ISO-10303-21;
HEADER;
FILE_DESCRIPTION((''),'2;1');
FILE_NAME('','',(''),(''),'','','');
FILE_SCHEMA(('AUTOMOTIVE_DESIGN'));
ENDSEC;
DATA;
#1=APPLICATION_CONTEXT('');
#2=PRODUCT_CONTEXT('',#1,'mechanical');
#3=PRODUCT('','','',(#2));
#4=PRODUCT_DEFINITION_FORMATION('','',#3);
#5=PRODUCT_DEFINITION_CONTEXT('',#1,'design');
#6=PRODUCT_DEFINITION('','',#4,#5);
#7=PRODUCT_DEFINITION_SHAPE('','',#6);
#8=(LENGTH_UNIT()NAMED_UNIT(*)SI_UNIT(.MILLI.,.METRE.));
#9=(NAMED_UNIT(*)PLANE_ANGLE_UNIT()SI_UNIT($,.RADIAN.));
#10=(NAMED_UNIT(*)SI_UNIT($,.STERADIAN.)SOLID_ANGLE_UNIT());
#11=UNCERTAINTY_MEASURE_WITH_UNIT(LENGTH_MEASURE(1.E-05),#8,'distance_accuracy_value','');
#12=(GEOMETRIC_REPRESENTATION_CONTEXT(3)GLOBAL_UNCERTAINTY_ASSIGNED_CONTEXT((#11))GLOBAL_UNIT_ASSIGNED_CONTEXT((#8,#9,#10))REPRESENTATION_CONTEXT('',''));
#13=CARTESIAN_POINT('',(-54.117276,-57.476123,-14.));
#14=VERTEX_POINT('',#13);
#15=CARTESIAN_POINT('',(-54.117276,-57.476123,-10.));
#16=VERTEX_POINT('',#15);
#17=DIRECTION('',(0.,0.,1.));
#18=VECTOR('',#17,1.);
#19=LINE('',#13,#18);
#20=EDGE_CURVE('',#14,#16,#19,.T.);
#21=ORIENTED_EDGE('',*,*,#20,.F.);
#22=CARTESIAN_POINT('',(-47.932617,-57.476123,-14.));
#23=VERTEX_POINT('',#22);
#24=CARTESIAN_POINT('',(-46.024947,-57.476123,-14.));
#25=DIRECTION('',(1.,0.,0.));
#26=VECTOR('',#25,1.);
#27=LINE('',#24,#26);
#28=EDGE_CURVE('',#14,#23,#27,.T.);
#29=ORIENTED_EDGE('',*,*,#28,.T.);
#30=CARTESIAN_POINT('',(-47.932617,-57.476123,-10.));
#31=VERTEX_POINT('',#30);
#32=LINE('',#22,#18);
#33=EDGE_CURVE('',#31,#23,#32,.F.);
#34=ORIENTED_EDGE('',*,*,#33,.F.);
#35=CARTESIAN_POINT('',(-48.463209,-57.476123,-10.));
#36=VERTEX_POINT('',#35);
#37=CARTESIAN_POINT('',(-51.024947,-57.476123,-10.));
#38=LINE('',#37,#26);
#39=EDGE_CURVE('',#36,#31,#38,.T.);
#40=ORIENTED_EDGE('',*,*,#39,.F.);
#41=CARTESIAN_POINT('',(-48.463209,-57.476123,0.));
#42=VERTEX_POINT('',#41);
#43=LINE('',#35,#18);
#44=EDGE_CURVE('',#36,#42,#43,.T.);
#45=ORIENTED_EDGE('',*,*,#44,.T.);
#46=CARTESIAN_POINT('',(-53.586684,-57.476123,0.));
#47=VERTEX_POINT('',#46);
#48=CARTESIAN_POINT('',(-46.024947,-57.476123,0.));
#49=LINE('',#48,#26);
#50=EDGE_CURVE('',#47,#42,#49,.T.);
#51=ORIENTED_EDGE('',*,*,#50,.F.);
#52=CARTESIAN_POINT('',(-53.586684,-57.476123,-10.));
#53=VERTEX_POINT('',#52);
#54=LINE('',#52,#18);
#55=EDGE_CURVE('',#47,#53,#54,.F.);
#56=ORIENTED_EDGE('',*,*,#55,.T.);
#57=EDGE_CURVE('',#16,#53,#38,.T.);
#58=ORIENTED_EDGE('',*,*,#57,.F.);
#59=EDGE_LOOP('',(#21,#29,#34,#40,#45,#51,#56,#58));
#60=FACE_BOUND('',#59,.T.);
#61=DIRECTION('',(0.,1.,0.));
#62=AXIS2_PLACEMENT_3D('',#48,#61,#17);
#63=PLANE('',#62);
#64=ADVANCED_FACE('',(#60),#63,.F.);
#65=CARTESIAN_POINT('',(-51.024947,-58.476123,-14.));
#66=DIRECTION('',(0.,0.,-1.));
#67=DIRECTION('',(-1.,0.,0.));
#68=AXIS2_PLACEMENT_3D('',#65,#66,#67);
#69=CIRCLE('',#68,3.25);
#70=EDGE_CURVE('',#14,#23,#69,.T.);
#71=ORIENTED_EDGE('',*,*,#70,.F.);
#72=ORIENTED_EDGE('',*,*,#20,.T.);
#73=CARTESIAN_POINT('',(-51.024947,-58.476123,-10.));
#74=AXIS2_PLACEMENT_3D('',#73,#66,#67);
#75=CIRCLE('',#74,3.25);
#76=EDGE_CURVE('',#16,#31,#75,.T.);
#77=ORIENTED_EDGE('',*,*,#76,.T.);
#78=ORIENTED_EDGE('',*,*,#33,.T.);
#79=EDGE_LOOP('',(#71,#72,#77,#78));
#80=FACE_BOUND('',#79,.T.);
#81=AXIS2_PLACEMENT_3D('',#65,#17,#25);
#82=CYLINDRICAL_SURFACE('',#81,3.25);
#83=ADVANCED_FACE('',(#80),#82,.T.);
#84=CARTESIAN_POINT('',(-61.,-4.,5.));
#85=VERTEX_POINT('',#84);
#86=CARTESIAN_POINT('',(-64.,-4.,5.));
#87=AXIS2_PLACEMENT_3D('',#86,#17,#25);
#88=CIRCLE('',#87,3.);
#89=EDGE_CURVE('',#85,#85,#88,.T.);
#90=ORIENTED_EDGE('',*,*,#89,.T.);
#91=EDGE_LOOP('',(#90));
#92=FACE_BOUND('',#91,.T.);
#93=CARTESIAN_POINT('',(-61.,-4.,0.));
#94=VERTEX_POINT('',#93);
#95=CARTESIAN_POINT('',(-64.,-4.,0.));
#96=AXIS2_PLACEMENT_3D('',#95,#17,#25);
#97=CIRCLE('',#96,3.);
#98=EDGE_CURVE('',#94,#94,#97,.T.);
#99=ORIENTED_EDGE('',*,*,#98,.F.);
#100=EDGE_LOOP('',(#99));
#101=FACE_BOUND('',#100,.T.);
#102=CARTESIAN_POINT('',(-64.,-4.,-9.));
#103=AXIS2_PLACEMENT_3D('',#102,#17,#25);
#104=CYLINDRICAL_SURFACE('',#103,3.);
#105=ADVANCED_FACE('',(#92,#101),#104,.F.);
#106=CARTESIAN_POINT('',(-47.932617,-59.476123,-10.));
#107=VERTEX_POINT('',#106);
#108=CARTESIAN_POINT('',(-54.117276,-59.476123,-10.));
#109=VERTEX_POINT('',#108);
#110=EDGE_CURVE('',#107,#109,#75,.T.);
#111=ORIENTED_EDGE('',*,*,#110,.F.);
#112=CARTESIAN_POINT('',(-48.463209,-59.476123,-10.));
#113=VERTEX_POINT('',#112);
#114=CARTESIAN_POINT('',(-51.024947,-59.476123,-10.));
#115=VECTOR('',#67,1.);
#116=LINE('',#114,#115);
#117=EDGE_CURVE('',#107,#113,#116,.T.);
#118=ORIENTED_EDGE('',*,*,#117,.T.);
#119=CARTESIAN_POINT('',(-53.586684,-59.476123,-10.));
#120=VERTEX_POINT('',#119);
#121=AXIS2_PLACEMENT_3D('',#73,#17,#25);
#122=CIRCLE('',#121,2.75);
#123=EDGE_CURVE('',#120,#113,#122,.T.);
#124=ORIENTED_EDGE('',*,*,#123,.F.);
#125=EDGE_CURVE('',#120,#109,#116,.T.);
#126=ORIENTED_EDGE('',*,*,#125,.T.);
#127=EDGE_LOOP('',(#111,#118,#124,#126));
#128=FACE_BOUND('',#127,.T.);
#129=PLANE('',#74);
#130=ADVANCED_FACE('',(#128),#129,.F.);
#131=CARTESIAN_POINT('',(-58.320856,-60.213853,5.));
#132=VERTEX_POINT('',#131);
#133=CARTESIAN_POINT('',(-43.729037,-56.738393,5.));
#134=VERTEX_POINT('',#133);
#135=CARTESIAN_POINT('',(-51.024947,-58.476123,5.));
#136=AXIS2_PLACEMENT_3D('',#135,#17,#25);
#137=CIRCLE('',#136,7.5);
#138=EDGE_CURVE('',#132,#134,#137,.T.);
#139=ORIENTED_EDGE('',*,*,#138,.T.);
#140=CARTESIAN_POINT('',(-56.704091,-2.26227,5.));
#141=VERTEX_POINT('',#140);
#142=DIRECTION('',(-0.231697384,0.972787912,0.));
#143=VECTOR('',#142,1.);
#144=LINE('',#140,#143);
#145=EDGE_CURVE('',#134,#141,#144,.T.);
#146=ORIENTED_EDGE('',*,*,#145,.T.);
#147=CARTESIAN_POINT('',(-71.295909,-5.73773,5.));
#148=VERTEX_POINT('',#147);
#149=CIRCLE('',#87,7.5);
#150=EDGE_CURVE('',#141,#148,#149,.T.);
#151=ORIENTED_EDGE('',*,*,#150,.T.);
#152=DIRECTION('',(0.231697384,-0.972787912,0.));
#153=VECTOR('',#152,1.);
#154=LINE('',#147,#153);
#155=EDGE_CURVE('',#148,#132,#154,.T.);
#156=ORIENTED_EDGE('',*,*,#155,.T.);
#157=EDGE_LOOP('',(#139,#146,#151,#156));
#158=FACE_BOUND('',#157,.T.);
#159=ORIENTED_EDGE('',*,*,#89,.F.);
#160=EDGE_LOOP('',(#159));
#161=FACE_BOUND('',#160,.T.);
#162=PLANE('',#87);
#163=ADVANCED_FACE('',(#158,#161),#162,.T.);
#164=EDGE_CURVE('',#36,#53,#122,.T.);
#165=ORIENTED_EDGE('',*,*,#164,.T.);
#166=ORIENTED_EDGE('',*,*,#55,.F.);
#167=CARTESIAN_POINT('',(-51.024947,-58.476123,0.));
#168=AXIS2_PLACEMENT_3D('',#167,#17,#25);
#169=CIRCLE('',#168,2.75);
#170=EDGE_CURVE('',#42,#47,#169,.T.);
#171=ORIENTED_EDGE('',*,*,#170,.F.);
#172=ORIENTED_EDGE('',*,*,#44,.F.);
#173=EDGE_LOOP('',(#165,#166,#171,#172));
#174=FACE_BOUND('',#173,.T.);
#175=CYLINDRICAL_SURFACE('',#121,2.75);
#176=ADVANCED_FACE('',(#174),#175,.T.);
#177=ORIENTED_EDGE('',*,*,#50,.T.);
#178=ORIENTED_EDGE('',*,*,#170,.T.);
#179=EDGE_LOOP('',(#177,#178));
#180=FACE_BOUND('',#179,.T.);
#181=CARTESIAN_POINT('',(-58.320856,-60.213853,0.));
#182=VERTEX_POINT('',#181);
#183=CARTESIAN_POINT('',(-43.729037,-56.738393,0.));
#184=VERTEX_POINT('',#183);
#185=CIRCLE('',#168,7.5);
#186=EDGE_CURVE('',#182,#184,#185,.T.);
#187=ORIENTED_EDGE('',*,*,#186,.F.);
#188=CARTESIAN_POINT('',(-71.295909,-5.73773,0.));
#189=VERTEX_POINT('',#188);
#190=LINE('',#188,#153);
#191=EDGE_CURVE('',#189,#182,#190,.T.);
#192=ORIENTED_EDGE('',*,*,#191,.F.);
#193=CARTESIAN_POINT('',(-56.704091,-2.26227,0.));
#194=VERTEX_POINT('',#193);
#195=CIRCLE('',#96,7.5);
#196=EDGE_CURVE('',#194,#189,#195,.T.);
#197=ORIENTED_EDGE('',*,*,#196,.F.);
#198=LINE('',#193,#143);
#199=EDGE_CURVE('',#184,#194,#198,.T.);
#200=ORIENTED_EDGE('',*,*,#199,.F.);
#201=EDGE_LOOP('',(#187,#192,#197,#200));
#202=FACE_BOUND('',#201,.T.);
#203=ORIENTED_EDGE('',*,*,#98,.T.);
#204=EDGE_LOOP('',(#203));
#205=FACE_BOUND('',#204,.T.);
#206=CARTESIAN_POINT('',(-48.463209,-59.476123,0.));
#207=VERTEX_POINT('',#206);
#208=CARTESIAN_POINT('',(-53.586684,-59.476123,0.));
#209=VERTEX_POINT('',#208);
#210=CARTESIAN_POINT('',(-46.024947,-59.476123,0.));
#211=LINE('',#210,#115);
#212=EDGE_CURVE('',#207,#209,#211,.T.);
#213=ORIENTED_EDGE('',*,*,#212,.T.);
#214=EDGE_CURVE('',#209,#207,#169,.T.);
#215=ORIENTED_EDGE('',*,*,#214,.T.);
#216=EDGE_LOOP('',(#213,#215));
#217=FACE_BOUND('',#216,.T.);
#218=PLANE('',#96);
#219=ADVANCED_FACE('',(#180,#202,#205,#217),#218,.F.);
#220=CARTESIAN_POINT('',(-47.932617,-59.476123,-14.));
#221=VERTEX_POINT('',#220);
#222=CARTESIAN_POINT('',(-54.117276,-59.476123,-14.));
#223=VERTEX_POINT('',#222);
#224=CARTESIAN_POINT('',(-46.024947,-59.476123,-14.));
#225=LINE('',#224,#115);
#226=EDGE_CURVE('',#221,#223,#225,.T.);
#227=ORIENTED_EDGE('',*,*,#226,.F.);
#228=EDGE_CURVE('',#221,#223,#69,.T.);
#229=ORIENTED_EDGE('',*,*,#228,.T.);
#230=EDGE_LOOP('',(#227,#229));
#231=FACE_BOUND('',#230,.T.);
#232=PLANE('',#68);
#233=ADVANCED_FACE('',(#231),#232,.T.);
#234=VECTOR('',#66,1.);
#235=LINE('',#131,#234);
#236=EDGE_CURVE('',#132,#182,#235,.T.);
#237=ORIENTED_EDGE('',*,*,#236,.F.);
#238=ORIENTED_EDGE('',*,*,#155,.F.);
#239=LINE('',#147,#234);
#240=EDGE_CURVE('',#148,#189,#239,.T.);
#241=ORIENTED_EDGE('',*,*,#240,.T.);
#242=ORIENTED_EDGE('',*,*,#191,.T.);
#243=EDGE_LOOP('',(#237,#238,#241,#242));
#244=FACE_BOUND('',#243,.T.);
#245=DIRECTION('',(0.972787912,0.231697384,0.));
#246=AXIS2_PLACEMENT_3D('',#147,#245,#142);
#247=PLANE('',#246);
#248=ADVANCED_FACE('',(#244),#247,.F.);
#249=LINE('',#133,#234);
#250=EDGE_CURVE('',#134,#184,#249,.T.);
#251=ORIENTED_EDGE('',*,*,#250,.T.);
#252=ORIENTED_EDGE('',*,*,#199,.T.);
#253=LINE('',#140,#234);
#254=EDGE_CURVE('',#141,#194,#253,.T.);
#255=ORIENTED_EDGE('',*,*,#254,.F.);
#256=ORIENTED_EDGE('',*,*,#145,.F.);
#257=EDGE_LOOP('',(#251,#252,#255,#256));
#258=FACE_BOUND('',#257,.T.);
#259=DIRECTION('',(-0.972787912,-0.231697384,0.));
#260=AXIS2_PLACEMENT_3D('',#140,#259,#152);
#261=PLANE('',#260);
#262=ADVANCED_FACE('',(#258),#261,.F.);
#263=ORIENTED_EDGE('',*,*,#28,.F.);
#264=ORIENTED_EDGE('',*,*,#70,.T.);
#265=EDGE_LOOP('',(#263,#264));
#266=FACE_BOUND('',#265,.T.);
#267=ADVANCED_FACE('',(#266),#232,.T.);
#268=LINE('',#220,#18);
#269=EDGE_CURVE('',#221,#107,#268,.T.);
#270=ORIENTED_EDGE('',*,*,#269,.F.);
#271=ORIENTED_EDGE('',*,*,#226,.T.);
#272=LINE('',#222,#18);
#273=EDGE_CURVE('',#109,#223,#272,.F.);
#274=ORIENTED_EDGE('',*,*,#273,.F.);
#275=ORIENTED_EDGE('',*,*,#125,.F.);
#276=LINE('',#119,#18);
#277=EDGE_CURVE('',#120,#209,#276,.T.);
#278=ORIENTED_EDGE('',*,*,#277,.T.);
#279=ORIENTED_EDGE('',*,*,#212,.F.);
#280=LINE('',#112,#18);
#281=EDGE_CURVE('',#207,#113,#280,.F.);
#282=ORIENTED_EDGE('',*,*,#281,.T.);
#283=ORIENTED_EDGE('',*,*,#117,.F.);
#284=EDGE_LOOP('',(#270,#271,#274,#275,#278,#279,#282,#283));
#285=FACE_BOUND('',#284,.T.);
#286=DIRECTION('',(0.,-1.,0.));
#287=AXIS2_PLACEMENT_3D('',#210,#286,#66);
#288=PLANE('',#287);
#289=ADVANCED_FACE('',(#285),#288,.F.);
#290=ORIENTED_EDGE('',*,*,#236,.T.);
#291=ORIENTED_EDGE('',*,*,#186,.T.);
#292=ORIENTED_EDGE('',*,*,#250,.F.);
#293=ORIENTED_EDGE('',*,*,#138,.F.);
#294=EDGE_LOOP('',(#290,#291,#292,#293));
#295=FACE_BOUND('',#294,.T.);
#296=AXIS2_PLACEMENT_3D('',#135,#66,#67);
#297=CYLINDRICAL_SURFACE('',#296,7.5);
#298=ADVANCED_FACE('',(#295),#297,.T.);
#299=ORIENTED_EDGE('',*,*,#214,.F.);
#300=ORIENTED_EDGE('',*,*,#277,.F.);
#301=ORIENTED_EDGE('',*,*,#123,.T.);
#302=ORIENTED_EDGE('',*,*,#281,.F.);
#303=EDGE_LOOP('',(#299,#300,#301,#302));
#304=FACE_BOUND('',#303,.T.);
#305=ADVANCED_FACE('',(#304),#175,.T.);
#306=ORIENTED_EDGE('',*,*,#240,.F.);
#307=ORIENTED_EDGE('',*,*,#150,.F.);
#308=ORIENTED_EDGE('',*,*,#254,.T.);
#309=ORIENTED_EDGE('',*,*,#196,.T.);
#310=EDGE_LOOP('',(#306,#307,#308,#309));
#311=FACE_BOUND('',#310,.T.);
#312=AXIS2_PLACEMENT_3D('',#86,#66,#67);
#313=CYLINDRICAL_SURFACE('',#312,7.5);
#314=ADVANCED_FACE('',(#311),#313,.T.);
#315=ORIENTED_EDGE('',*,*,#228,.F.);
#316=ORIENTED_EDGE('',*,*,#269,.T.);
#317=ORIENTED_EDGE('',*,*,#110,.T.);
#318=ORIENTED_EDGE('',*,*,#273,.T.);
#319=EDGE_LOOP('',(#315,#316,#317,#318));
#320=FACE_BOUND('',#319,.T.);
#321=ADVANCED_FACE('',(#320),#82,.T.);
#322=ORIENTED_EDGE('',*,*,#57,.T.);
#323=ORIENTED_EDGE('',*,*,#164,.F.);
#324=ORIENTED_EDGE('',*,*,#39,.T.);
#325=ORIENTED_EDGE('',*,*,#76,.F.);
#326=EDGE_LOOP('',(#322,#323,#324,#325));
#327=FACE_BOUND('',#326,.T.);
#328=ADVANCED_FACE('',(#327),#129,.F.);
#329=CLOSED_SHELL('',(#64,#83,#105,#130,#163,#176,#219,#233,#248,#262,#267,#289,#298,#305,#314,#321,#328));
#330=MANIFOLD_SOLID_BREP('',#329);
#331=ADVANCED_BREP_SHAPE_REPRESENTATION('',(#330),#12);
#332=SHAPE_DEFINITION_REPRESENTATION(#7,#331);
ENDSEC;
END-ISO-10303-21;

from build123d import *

# Parameters (mm, degrees)
BOSS_EXTRU_1_DEPTH      = 5
ESQUISSE2_R             = 2.75
BOSS_EXTRU_2_DEPTH      = 15
ESQUISSE4_R             = 3.25
BOSS_EXTRU_3_DEPTH      = 4
ESQUISSE5_W             = 10
ESQUISSE5_H             = 2
ENL_V_MAT_EXTRU_2_DEPTH = 14
ESQUISSE6_R             = 3
ENL_V_MAT_EXTRU_3_DEPTH = 14


with BuildPart() as part:
    # Esquisse1 → Boss.-Extru.1 (new body)
    with BuildSketch(Plane.XY):
        with BuildLine():
            Line((-56.704090657, -2.262269623), (-43.729037177, -56.738392716))
            ThreePointArc((-43.729037177, -56.738392716), (-49.287216143, -65.772032435), (-58.320855862, -60.213853469))
            Line((-58.320855862, -60.213853469), (-71.295909343, -5.737730377))
            ThreePointArc((-71.295909343, -5.737730377), (-65.737730377, 3.295909343), (-56.704090657, -2.262269623))
        make_face()
    extrude(amount=BOSS_EXTRU_1_DEPTH)

    # Esquisse2 → Boss.-Extru.2 (add)
    with BuildSketch(Plane.XY.offset(5)):
        with Locations((-51.024946519, -58.476123092)):
            Circle(ESQUISSE2_R)
    extrude(amount=-BOSS_EXTRU_2_DEPTH)

    # Esquisse4 → Boss.-Extru.3 (add)
    with BuildSketch(Plane(origin=(0, 0, -10), x_dir=(-1, 0, 0), z_dir=(0, 0, -1))):
        with Locations((51.024946519, -58.476123092)):
            Circle(ESQUISSE4_R)
    extrude(amount=BOSS_EXTRU_3_DEPTH)

    # Esquisse5 → Enlèv. mat.-Extru.2 (cut)
    with BuildSketch(Plane(origin=(0, 0, -14), x_dir=(-1, 0, 0), z_dir=(0, 0, -1))):
        with Locations((51.024946519, -58.476123092)):
            Rectangle(ESQUISSE5_W, ESQUISSE5_H)
    extrude(amount=-ENL_V_MAT_EXTRU_2_DEPTH, mode=Mode.SUBTRACT)

    # Esquisse6 → Enlèv. mat.-Extru.3 (cut)
    with BuildSketch(Plane.XY.offset(5)):
        with Locations((-64, -4)):
            Circle(ESQUISSE6_R)
    extrude(amount=-ENL_V_MAT_EXTRU_3_DEPTH, mode=Mode.SUBTRACT)


solid = part.part
